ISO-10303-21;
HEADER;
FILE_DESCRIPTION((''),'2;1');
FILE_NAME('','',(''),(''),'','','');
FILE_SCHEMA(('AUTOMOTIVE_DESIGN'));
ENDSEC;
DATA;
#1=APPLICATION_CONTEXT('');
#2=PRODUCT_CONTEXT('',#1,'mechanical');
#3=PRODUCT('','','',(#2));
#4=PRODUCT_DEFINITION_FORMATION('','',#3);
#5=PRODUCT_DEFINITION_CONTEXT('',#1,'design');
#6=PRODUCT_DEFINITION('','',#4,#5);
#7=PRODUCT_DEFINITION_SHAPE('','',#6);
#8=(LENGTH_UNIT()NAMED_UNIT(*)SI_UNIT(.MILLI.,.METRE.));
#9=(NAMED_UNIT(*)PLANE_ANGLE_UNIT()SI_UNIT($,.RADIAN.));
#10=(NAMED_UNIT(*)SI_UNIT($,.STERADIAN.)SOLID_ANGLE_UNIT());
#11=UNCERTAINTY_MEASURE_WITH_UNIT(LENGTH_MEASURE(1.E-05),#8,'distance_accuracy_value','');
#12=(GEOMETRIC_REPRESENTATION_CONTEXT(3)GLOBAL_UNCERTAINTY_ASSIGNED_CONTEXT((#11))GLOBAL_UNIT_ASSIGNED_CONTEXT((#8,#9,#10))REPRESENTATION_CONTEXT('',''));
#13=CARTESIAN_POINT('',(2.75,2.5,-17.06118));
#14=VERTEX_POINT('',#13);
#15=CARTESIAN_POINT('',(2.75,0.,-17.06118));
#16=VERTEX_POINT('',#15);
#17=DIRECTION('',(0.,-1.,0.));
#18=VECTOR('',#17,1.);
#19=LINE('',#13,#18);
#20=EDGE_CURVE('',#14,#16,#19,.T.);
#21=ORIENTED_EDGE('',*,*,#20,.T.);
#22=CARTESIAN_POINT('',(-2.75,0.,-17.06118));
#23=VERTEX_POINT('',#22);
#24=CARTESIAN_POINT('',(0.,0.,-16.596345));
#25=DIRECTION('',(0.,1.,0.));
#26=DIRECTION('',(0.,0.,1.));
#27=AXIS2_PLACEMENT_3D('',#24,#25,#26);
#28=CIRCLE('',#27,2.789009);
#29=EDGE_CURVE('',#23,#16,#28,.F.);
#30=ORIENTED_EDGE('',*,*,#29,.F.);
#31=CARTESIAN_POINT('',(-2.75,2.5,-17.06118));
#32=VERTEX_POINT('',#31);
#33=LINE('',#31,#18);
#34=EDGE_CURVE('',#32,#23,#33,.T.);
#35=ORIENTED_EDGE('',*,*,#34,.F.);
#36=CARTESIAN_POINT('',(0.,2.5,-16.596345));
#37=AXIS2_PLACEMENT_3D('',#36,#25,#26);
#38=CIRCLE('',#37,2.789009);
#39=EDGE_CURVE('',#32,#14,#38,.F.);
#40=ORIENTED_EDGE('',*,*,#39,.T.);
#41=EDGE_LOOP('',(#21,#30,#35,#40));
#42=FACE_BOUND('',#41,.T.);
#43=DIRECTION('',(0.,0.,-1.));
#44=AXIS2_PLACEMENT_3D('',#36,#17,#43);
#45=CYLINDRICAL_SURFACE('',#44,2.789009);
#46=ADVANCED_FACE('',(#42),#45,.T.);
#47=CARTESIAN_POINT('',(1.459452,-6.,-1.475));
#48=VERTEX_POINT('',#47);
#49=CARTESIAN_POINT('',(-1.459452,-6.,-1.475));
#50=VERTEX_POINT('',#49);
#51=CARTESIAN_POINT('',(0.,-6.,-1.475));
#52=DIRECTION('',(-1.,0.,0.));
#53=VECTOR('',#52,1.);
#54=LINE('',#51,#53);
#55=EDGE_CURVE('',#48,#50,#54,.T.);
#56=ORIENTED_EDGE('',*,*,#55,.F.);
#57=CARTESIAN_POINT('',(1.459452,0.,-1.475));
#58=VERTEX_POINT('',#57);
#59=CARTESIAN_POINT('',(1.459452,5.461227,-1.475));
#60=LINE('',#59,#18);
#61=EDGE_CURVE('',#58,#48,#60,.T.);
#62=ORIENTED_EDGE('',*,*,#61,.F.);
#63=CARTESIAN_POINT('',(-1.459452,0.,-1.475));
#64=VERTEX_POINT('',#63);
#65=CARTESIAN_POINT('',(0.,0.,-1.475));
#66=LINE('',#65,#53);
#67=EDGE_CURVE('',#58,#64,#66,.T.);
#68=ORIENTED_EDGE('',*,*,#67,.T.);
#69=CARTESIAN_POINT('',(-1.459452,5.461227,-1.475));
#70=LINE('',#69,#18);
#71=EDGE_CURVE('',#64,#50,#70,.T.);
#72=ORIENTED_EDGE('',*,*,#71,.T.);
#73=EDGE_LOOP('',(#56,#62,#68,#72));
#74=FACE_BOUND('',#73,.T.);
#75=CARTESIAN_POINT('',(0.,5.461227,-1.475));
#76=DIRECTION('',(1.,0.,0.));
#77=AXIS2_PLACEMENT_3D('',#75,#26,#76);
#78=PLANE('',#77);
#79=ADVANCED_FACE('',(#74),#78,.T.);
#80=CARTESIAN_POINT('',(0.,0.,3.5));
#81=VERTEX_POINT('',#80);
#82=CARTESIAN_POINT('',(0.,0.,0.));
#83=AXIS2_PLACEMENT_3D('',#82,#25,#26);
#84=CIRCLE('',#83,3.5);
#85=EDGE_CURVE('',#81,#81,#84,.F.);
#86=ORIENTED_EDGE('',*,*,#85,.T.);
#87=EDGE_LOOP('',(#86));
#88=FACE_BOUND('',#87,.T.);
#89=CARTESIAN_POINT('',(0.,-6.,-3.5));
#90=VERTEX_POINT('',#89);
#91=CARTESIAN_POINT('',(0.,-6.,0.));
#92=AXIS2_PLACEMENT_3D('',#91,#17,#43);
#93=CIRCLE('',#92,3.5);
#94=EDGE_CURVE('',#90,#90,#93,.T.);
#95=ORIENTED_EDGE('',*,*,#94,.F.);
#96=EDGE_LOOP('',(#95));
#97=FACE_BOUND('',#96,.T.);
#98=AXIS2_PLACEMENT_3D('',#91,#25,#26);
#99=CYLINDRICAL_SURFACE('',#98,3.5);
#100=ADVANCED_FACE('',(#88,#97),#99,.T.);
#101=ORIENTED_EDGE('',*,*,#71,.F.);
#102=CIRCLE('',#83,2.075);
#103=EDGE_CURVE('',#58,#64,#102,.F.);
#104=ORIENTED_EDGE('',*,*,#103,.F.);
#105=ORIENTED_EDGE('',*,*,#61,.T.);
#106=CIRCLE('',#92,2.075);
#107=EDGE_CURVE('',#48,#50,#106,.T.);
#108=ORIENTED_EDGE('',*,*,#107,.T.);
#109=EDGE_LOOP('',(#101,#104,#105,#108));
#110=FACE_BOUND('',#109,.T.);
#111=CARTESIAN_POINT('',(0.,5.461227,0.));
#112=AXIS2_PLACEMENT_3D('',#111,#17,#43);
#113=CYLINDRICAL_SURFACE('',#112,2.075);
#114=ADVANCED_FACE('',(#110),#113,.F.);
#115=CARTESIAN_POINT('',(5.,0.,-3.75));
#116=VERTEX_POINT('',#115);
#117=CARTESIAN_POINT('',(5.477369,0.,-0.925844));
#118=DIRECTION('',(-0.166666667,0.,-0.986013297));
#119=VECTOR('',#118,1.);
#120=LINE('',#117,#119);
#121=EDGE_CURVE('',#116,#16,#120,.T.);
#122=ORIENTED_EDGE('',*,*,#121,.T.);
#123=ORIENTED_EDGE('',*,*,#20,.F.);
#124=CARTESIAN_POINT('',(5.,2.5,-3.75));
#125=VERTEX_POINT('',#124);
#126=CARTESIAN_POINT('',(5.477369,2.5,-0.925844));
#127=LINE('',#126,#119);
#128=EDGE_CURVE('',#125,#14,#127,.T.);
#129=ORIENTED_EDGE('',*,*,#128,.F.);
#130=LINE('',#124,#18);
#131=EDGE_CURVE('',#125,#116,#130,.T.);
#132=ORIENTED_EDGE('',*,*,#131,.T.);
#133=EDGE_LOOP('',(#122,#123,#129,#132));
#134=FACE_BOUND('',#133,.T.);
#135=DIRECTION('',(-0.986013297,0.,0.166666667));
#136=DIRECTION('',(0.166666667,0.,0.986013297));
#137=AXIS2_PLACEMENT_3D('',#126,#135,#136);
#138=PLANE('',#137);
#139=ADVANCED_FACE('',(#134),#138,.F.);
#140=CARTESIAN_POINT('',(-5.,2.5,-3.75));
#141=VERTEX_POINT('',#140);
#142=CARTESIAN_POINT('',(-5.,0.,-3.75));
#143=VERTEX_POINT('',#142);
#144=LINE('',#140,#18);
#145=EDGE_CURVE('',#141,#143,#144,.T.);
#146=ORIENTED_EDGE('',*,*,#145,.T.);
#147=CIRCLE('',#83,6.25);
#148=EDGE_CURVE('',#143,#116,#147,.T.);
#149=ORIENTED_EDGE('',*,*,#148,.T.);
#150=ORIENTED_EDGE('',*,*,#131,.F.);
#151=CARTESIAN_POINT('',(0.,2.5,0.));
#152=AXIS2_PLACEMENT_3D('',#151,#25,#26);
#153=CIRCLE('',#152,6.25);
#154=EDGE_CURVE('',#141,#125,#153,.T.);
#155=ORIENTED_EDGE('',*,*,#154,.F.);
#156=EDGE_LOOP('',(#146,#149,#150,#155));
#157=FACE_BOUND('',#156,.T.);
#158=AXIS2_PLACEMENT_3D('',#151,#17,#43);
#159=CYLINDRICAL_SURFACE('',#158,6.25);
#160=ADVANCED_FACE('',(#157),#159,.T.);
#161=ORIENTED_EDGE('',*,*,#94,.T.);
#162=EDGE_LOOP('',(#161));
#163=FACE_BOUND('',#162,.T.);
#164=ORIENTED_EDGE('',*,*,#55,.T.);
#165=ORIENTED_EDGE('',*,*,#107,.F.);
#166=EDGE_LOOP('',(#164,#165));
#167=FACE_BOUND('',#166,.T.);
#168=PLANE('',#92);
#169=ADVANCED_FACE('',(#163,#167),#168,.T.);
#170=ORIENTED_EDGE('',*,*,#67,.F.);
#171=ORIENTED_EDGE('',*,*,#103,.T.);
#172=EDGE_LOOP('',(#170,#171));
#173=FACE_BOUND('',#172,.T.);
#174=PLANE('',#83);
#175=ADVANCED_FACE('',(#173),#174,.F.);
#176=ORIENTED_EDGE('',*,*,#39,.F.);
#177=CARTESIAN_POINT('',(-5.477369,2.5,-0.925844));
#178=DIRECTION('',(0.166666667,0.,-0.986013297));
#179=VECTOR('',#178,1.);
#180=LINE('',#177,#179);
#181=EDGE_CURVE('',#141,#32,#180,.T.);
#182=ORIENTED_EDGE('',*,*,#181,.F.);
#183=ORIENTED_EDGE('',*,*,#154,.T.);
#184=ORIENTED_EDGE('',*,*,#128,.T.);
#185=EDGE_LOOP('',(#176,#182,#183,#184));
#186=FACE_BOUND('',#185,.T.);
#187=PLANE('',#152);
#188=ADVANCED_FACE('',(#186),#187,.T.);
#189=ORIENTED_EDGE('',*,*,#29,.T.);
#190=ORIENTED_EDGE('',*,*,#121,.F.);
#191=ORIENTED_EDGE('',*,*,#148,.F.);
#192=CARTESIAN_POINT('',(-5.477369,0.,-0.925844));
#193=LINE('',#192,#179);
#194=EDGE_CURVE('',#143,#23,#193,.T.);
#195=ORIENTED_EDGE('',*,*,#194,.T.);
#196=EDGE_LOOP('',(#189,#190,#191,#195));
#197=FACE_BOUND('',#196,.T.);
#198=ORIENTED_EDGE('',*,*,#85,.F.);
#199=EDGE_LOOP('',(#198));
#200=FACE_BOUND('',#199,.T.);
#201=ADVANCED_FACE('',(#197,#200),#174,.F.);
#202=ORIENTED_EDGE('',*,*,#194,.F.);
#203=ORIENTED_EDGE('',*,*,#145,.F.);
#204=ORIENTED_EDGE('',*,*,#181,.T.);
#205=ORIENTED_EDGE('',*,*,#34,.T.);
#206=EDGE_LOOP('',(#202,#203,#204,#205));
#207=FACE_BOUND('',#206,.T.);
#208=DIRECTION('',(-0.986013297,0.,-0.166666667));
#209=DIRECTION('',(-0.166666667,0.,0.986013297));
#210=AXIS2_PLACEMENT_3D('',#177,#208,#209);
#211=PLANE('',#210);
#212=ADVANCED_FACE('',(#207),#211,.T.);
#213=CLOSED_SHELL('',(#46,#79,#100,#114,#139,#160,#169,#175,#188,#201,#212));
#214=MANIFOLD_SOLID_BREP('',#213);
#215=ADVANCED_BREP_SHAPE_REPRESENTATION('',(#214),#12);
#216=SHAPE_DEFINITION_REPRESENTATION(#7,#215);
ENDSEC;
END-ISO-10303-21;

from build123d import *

# Parameters (mm, degrees)
SKETCH1_R           = 6.25
BOSS_EXTRUDE1_DEPTH = 2.5
SKETCH2_R           = 3.5
BOSS_EXTRUDE2_DEPTH = 6
CUT_EXTRUDE1_DEPTH  = 6


with BuildPart() as part:
    # Sketch1 → Boss-Extrude1 (new body)
    with BuildSketch(Plane(origin=(0, 0, 0), x_dir=(1, 0, 0), z_dir=(0, 1, 0))):
        with BuildLine():
            ThreePointArc((-5, 3.75), (0, 6.25), (5, 3.75))
            Line((5, 3.75), (2.75, 17.061179512))
            ThreePointArc((2.75, 17.061179512), (0, 19.385353712), (-2.75, 17.061179512))
            Line((-2.75, 17.061179512), (-5, 3.75))
        make_face()
        Circle(SKETCH1_R)
    extrude(amount=BOSS_EXTRUDE1_DEPTH)

    # Sketch2 → Boss-Extrude2 (add)
    with BuildSketch(Plane.XZ):
        with Locations(Location((0, 0, 0), (0, 0, 90))):
            Circle(SKETCH2_R)
    extrude(amount=BOSS_EXTRUDE2_DEPTH)

    # Sketch3 → Cut-Extrude1 (cut)
    with BuildSketch(Plane.XZ.offset(6)):
        with BuildLine():
            Line((-1.459451952, -1.475), (1.459451952, -1.475))
            ThreePointArc((1.459451952, -1.475), (1.91493966, -0.799143979), (2.075, 0))
            ThreePointArc((2.075, 0), (-0.799143979, 1.91493966), (-1.459451952, -1.475))
        make_face()
    extrude(amount=-CUT_EXTRUDE1_DEPTH, mode=Mode.SUBTRACT)


solid = part.part
